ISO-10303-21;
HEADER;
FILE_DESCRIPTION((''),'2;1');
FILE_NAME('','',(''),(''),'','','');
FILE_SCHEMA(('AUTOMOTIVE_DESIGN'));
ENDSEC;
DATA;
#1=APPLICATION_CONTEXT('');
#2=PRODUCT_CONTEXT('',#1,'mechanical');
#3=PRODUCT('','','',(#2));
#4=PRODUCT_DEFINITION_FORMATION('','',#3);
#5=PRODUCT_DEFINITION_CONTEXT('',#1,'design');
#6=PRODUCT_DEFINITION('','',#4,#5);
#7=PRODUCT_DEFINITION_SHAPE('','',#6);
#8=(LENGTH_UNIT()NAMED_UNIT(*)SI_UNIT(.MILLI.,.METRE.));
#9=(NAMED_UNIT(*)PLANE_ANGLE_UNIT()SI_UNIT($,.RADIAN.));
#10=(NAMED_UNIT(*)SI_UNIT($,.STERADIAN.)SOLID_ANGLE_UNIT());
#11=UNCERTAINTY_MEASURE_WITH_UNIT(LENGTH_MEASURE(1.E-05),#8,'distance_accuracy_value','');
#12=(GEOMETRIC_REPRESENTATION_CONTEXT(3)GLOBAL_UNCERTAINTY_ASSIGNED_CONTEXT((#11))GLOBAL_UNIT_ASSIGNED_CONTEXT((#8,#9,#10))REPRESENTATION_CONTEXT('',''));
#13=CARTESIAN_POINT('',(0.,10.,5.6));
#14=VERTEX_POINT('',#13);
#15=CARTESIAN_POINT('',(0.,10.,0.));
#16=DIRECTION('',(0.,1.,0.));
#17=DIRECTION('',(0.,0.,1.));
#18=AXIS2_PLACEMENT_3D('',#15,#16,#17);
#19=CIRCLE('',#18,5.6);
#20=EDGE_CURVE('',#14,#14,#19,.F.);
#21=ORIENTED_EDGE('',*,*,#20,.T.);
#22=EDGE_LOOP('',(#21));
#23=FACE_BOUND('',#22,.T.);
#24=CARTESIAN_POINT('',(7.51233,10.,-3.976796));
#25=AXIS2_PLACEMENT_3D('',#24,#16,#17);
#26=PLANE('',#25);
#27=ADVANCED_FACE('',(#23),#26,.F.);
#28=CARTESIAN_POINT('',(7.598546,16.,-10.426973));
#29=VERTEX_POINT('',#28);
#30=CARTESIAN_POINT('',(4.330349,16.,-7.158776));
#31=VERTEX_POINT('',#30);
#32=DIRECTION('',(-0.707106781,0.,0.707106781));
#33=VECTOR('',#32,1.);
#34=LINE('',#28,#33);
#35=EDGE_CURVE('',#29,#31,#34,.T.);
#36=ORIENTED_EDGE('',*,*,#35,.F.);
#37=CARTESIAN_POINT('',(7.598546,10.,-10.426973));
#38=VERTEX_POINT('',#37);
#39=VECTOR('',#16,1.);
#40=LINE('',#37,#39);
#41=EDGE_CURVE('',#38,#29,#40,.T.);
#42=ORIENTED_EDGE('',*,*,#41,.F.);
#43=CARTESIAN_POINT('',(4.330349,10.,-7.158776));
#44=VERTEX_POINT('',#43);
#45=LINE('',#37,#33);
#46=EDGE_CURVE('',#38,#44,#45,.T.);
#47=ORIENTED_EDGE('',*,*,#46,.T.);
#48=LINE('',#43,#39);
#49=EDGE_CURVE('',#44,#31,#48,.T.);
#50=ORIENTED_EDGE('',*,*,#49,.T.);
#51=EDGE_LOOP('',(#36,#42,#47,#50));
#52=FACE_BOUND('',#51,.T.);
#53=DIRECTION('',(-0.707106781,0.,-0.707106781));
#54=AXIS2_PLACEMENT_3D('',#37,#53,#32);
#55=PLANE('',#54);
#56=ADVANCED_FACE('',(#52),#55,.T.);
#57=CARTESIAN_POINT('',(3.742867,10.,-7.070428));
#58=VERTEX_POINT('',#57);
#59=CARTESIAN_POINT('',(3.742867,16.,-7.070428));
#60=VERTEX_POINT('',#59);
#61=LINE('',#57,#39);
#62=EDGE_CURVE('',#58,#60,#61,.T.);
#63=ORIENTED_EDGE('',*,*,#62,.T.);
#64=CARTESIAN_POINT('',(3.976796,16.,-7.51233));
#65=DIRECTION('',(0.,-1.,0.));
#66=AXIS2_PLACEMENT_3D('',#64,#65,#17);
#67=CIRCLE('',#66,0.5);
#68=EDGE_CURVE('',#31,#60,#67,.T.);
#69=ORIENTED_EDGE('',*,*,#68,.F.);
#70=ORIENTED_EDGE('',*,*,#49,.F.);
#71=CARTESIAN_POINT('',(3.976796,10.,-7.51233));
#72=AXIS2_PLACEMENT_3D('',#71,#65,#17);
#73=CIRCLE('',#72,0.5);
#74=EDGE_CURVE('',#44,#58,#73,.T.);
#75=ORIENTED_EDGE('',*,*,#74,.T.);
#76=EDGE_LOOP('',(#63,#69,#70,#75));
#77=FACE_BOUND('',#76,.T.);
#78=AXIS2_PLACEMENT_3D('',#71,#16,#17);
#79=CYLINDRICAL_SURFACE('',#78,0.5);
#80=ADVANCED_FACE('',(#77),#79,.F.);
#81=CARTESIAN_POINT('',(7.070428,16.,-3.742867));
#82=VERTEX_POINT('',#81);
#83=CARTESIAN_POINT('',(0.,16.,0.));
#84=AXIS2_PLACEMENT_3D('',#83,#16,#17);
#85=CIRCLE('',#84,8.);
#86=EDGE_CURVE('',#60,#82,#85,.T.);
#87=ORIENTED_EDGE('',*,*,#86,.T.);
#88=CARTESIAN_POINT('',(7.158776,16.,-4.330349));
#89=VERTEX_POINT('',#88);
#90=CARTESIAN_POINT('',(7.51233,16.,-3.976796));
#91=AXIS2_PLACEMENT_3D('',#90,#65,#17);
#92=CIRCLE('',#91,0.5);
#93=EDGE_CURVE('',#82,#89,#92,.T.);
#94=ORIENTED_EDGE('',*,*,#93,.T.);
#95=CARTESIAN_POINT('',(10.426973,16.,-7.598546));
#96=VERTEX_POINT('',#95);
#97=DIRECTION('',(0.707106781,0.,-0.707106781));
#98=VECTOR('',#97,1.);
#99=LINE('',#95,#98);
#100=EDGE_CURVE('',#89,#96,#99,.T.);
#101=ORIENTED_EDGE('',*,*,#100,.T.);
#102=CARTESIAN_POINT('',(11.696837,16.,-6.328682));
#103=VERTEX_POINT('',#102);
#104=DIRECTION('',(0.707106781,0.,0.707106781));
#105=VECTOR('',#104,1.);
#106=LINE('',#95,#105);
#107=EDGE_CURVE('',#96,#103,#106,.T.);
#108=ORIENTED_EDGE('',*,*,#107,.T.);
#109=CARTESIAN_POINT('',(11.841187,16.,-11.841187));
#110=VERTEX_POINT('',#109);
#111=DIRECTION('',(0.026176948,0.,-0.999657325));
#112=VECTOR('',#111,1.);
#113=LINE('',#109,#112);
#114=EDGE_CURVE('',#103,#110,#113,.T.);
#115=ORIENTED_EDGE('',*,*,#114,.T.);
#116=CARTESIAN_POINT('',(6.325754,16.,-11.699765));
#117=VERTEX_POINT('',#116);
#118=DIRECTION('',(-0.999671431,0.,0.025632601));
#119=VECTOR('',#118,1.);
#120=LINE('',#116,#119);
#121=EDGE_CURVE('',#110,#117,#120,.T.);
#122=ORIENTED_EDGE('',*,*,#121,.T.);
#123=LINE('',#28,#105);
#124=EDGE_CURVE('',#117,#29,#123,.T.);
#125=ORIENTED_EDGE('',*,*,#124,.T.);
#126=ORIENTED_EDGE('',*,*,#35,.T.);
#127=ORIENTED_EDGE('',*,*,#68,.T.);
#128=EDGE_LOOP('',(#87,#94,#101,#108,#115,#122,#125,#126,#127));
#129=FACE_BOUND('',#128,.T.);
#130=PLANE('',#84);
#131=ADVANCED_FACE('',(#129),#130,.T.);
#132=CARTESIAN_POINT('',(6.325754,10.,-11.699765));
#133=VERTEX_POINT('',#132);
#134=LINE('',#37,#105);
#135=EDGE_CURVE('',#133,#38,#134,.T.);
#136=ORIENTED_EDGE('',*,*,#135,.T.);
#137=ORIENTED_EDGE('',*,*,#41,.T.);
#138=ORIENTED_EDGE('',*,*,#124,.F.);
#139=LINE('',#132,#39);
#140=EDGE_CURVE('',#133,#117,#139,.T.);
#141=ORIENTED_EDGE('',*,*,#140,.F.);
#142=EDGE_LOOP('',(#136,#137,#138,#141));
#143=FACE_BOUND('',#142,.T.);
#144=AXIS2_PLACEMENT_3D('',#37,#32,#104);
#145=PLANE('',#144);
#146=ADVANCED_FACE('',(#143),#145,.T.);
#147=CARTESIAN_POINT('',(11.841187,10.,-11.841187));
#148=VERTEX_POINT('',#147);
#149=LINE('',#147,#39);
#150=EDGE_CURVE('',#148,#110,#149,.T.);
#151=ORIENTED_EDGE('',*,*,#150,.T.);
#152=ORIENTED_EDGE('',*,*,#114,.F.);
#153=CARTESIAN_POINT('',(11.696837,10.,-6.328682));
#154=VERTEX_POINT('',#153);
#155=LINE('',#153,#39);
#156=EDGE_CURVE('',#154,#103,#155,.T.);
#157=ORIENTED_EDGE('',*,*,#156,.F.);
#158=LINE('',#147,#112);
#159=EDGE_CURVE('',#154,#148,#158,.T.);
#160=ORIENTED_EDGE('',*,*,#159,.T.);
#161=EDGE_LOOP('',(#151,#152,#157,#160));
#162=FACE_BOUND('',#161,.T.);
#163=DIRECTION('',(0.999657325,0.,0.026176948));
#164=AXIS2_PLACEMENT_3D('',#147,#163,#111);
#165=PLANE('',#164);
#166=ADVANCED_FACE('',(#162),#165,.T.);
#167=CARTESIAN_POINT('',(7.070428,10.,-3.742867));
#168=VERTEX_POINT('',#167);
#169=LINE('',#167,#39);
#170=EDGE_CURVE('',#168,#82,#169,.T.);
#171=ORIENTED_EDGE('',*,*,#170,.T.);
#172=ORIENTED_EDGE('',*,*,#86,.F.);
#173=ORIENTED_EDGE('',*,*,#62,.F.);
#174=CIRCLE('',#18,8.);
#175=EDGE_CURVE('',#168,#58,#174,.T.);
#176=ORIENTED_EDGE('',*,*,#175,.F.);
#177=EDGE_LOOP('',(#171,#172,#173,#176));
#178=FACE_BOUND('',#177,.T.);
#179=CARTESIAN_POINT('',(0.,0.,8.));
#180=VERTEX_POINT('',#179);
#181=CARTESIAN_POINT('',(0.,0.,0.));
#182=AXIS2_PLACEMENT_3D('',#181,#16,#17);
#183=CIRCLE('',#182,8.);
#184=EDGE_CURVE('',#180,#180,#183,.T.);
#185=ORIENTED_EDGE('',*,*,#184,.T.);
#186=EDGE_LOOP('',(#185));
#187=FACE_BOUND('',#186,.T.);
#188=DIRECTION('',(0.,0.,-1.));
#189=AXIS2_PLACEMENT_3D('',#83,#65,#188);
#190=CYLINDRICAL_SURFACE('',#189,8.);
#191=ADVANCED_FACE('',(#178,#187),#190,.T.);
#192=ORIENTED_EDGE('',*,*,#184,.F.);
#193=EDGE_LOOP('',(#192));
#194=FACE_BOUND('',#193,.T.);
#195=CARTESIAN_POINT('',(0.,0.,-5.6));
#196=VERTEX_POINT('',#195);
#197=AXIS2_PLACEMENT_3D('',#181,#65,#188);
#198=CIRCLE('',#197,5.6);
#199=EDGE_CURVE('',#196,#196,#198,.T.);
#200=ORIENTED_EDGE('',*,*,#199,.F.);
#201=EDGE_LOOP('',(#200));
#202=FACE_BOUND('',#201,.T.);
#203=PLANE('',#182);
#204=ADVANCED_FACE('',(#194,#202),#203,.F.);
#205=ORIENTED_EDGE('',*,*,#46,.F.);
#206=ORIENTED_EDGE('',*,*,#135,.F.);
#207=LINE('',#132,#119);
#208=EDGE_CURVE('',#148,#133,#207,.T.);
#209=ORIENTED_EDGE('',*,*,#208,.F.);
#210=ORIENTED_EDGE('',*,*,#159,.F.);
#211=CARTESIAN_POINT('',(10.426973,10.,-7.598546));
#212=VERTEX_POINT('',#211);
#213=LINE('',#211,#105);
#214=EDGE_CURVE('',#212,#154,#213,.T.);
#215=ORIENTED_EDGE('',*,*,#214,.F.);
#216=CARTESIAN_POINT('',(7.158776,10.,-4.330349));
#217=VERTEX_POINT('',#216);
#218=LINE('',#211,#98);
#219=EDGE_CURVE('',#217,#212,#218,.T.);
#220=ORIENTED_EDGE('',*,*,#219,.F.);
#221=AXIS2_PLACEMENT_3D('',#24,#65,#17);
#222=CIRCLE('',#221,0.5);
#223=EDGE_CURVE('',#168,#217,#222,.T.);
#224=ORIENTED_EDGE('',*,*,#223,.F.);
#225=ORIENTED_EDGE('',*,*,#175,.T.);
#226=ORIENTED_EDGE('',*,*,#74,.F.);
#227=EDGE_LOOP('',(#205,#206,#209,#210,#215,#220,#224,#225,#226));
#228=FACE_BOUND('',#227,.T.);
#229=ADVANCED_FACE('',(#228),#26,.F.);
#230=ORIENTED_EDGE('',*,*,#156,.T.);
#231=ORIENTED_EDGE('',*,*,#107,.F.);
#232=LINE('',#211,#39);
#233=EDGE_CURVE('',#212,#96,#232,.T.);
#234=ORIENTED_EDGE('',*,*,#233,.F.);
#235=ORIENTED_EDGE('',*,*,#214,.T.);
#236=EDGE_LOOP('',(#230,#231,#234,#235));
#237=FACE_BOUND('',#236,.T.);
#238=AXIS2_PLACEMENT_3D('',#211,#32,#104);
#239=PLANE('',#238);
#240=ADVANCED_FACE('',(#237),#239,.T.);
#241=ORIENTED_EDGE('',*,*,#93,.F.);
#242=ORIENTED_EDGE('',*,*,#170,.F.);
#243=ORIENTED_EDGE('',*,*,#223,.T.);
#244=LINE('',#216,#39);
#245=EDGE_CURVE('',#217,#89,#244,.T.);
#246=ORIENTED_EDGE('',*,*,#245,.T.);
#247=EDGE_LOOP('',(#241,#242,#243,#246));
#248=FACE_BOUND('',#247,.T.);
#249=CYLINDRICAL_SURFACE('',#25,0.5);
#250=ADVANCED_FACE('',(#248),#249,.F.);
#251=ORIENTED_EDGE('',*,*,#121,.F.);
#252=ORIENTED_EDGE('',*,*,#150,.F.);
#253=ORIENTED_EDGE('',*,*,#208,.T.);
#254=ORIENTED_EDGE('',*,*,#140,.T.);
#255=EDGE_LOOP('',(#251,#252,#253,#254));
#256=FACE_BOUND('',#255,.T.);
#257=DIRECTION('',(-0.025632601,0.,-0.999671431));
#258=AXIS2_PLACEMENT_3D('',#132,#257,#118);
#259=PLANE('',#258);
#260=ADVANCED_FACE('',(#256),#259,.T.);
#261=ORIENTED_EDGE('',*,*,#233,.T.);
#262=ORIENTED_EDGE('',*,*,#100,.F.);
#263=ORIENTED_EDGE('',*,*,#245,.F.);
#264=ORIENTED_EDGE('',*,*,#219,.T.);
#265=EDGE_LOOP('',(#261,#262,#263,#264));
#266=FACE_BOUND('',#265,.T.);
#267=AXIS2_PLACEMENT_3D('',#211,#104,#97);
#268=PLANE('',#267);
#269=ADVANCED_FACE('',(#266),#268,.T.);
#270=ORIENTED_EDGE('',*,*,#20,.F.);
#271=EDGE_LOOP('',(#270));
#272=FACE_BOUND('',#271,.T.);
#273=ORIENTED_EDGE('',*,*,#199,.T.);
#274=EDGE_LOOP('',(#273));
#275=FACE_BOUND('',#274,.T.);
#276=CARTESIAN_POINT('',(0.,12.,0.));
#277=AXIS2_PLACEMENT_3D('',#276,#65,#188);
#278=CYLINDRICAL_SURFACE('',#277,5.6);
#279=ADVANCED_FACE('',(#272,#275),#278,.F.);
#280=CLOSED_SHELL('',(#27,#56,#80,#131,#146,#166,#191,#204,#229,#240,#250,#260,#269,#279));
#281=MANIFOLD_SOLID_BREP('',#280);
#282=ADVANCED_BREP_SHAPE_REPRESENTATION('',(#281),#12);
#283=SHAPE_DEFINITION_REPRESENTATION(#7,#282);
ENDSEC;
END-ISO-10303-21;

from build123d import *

# Parameters (mm, degrees)
SKETCH1_R           = 8
BOSS_EXTRUDE1_DEPTH = 16
SKETCH2_R           = 5.6
CUT_EXTRUDE1_DEPTH  = 12
BOSS_EXTRUDE2_START = -6
BOSS_EXTRUDE2_DEPTH = 6


with BuildPart() as part:
    # Sketch1 → Boss-Extrude1 (new body)
    with BuildSketch(Plane(origin=(0, 0, 0), x_dir=(1, 0, 0), z_dir=(0, 1, 0))):
        Circle(SKETCH1_R)
    extrude(amount=BOSS_EXTRUDE1_DEPTH)

    # Sketch2 → Cut-Extrude1 (cut)
    with BuildSketch(Plane.XZ):
        Circle(SKETCH2_R)
    extrude(amount=-CUT_EXTRUDE1_DEPTH, mode=Mode.SUBTRACT)

    # Sketch4 → Boss-Extrude2 (add)
    with BuildSketch(Plane(origin=(0, 16, 0), x_dir=(1, 0, 0), z_dir=(0, 1, 0)).offset(BOSS_EXTRUDE2_START)):
        with BuildLine():
            Line((7.598545919, 10.426973043), (4.330349084, 7.158776209))
            ThreePointArc((4.330349084, 7.158776209), (4.05115191, 7.017889357), (3.742866535, 7.070427858))
            ThreePointArc((3.742866535, 7.070427858), (-5.656854249, -5.656854249), (7.070427858, 3.742866535))
            ThreePointArc((7.070427858, 3.742866535), (7.017889357, 4.05115191), (7.158776209, 4.330349084))
            Line((7.158776209, 4.330349084), (10.426973043, 7.598545919))
            Line((10.426973043, 7.598545919), (11.696836602, 6.32868236))
            Line((11.696836602, 6.32868236), (11.841186606, 11.841186606))
            Line((11.841186606, 11.841186606), (6.325753712, 11.699765249))
            Line((6.325753712, 11.699765249), (7.598545919, 10.426973043))
        make_face()
    extrude(amount=BOSS_EXTRUDE2_DEPTH)


solid = part.part
